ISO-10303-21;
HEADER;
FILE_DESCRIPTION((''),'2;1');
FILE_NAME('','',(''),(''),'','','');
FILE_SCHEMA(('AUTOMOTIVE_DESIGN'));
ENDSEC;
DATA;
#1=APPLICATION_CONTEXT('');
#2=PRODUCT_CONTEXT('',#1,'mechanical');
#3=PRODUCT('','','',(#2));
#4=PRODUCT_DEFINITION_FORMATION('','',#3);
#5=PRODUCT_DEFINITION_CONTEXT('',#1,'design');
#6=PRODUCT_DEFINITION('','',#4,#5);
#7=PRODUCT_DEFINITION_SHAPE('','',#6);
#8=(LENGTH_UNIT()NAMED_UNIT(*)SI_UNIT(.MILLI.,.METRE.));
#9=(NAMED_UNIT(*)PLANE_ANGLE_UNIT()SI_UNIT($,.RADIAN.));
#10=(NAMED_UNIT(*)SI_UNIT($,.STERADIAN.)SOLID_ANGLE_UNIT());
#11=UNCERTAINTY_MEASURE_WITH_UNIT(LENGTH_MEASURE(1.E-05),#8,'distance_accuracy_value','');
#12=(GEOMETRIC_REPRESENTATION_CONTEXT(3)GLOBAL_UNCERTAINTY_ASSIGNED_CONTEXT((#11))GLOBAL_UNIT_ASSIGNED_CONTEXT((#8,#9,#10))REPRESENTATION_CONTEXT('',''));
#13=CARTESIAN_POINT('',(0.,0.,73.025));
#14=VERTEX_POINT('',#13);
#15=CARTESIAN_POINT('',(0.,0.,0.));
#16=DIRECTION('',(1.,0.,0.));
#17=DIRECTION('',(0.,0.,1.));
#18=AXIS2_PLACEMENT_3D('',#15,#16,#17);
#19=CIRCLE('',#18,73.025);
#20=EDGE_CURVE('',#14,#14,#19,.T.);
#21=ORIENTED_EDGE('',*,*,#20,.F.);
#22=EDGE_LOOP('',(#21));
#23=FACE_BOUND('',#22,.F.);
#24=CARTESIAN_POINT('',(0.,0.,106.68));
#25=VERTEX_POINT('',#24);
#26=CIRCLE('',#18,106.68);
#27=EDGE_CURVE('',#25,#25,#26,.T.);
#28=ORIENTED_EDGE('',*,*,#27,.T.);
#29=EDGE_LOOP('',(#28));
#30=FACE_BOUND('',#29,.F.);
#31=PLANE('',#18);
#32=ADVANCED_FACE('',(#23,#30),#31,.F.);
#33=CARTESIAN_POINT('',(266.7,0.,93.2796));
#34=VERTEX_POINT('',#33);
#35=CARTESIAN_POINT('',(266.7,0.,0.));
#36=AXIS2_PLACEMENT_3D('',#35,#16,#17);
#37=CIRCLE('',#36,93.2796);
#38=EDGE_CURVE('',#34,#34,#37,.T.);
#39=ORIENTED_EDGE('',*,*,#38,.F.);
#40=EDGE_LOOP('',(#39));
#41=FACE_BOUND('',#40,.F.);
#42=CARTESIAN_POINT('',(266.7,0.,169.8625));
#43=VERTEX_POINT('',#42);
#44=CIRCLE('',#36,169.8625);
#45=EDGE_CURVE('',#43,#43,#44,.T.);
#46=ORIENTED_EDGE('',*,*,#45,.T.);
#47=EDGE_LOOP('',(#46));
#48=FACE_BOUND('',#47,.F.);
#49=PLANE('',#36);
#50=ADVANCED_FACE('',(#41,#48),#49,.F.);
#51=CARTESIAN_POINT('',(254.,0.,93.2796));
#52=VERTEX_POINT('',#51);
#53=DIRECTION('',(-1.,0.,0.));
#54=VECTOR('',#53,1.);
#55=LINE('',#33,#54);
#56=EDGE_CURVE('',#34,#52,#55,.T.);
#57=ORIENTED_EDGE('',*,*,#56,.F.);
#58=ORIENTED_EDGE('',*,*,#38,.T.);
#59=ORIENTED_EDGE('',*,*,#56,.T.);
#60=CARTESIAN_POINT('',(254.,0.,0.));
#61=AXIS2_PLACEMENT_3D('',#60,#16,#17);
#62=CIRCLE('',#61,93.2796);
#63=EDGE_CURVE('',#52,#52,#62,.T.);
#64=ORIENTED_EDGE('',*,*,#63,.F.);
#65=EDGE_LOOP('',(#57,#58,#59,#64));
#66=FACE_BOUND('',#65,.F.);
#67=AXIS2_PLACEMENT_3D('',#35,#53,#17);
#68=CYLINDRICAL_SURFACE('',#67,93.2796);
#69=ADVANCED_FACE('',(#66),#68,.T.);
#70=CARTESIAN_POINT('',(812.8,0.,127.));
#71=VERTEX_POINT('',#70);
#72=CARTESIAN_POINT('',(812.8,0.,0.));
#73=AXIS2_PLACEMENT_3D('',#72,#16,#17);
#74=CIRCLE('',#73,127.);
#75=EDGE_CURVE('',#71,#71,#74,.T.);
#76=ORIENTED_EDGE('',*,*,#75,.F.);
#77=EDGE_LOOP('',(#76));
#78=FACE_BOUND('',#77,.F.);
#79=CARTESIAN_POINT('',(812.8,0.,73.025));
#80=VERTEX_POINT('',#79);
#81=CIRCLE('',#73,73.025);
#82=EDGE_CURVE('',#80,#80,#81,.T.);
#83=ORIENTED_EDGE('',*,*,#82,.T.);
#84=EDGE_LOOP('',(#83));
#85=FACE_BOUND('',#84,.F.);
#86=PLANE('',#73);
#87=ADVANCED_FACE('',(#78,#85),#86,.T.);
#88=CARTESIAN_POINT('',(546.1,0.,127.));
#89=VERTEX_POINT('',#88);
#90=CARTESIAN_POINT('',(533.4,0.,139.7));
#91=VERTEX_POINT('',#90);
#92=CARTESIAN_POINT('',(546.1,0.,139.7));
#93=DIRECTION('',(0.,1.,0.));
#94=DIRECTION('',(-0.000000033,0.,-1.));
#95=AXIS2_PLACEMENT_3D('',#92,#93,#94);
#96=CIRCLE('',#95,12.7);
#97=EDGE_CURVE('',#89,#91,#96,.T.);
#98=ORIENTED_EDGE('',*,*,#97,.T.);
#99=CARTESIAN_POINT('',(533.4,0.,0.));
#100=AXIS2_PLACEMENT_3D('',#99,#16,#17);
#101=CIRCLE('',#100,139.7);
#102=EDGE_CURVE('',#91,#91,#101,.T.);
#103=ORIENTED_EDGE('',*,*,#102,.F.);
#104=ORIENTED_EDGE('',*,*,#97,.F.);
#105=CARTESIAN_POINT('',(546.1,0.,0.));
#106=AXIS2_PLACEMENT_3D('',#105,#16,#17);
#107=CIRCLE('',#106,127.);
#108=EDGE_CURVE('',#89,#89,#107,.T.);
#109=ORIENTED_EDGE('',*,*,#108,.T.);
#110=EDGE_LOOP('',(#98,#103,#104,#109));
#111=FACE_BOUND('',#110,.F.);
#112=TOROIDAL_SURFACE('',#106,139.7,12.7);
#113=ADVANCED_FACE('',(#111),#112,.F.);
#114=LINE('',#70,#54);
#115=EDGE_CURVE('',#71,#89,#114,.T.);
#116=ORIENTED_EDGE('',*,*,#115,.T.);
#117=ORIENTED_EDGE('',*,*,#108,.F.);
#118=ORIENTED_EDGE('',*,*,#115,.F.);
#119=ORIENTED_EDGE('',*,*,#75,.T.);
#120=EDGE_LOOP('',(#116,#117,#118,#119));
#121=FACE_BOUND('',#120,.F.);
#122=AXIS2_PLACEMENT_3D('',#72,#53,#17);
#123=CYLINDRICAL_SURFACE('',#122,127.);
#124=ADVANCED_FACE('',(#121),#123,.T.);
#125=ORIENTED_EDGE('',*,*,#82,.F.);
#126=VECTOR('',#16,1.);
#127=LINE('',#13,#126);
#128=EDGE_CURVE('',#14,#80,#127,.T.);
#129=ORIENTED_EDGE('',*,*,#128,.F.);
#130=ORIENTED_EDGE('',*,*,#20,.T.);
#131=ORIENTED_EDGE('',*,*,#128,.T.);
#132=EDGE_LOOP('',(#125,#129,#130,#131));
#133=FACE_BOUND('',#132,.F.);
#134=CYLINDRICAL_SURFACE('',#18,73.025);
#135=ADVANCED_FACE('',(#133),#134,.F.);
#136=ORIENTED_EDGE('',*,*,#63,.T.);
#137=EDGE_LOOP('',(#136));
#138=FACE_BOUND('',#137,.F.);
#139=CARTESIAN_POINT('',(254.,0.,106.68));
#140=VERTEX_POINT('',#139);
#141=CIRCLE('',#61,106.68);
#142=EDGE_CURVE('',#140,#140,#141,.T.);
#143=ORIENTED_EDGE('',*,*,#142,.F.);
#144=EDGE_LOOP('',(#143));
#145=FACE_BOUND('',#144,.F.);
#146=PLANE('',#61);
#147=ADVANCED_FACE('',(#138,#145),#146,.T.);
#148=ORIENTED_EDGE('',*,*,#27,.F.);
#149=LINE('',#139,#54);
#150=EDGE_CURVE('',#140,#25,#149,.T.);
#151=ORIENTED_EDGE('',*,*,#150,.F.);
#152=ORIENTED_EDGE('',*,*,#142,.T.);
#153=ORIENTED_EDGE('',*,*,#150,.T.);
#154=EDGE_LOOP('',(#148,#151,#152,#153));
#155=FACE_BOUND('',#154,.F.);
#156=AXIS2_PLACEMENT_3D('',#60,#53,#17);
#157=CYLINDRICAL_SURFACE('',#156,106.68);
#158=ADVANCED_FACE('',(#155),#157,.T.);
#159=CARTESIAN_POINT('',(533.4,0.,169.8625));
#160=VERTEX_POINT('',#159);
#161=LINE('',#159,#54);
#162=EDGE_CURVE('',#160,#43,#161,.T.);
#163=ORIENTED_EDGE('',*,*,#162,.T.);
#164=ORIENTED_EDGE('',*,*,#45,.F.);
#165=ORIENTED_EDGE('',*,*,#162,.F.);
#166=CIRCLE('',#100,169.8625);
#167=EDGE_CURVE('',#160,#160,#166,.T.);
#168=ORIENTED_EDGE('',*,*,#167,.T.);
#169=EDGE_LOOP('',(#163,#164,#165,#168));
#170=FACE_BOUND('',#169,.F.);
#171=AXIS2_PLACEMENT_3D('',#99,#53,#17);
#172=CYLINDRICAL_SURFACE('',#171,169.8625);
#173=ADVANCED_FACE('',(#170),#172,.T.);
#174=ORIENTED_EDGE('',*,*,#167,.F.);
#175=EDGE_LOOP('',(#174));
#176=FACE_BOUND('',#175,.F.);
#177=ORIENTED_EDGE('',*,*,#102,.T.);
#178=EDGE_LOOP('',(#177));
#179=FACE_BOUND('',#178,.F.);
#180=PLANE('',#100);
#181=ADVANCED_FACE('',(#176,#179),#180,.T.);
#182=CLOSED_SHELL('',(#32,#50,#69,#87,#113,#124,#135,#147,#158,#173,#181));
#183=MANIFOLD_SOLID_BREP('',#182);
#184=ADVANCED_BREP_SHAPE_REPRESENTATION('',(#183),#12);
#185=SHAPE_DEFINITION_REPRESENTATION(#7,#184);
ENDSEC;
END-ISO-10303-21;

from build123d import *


with BuildPart() as f1:
    # F0 (on Front) → F1 (revolve)
    with BuildSketch(Plane.XZ):
        with BuildLine():
            Line((0, 106.68), (0, 73.025))
            Line((0, 73.025), (812.8, 73.025))
            Line((812.8, 73.025), (812.8, 127))
            Line((812.8, 127), (546.1, 127))
            ThreePointArc((546.1, 127), (537.119744, 130.719744), (533.4, 139.7))
            Line((533.4, 139.7), (533.4, 169.8625))
            Line((533.4, 169.8625), (266.7, 169.8625))
            Line((266.7, 169.8625), (266.7, 93.2796))
            Line((266.7, 93.2796), (254, 93.2796))
            Line((254, 93.2796), (254, 106.68))
            Line((254, 106.68), (0, 106.68))
        make_face()
    revolve(axis=Axis((406.4, 0, 0), (1, 0, 0)))


solid = f1.part
